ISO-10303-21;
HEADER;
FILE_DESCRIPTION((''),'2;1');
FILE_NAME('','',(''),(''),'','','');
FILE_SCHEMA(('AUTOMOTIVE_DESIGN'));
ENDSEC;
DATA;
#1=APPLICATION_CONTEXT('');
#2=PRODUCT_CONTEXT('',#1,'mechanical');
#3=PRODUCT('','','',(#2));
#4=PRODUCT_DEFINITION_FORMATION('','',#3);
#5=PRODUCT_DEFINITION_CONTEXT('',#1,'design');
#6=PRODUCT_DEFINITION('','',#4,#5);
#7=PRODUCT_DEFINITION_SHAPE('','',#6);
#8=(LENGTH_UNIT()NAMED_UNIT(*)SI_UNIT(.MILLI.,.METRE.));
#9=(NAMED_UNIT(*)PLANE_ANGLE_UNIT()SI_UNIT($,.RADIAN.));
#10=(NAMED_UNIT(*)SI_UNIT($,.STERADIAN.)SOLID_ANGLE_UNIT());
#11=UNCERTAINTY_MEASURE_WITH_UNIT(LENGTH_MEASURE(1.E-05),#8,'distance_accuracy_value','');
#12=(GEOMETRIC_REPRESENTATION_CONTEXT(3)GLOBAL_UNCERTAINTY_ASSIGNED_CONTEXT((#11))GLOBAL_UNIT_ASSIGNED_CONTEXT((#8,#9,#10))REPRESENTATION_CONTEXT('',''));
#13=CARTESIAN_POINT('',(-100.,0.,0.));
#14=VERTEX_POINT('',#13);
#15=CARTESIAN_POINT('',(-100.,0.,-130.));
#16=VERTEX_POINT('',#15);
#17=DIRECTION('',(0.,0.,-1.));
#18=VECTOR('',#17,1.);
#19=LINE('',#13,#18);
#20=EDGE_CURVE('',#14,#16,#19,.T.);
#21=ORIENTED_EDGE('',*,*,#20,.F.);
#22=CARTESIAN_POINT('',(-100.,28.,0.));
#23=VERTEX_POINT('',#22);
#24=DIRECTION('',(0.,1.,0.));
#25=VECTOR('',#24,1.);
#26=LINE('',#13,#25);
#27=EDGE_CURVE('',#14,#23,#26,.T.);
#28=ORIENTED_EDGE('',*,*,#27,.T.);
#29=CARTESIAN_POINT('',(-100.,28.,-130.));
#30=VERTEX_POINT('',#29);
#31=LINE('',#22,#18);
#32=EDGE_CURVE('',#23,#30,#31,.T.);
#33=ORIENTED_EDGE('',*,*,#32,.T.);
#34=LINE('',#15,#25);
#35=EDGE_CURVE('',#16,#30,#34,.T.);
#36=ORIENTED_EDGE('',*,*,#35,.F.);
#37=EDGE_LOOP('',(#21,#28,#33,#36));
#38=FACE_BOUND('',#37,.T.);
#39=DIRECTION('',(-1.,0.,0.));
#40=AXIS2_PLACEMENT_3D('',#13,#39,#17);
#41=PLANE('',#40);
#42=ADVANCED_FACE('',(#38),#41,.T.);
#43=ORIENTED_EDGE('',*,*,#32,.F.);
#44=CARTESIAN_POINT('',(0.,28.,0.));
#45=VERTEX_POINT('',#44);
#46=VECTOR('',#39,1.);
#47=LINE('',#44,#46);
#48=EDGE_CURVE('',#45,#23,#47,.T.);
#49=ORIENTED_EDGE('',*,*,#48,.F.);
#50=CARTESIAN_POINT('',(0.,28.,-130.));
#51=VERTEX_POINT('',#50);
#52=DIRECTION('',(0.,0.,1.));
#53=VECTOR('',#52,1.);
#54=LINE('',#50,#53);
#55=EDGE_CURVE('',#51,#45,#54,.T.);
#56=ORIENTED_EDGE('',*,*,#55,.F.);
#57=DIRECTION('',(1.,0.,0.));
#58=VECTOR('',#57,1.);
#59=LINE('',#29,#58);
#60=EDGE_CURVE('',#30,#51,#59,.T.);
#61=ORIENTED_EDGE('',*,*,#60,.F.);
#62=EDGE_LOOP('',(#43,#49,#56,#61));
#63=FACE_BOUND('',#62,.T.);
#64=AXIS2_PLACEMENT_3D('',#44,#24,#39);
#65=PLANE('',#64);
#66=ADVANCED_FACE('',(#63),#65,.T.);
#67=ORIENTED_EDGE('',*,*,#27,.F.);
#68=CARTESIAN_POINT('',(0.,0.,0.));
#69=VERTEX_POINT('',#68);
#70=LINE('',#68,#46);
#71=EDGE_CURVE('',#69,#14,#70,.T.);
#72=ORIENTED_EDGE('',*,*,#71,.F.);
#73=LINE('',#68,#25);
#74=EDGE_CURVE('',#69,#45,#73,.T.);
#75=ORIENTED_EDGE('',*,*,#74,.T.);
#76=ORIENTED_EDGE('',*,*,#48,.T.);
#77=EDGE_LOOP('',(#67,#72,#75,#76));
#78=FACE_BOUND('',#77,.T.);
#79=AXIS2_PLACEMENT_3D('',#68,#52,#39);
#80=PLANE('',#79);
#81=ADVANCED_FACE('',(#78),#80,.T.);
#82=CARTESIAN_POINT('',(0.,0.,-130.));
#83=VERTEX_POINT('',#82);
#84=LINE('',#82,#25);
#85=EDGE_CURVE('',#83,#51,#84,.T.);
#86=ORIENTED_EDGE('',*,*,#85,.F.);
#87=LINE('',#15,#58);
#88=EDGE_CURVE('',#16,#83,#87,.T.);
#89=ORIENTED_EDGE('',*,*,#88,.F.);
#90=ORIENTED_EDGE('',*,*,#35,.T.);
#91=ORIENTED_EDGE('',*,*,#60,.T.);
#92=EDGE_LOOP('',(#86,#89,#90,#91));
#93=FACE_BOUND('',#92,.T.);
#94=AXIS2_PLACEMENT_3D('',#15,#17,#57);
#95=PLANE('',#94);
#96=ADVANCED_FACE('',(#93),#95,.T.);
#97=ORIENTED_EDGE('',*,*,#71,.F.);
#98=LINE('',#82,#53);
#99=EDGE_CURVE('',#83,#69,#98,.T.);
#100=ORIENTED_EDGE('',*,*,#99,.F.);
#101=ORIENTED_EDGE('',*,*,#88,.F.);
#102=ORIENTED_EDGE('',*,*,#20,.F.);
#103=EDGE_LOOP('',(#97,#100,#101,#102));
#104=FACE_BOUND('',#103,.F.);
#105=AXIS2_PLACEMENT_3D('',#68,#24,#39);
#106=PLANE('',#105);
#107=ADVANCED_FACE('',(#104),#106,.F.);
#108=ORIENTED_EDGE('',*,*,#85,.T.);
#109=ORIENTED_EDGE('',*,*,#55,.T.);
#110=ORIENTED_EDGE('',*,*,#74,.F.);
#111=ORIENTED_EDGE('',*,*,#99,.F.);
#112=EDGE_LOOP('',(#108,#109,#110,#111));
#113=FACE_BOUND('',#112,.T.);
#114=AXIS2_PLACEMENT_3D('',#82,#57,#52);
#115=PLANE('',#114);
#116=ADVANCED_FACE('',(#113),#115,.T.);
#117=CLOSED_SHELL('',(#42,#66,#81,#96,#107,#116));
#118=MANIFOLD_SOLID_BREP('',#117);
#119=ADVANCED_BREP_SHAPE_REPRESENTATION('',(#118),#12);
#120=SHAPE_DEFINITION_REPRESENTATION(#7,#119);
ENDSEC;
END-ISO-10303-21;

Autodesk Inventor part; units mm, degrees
ref_plane "YZ Plane" through (0, 0, 0) normal (1, 0, 0) x (0, 1, 0)
ref_plane "XZ Plane" through (0, 0, 0) normal (0, 1, 0) x (-1, 0, 0)
ref_plane "XY Plane" through (0, 0, 0) normal (0, 0, 1) x (1, 0, 0)
sketch "Boceto1" plane through (0, 0, 0) normal (0, 1, 0) x (-1, 0, 0)
  line L0 (0, 0) -> (100, 0)
  line L1 (100, 0) -> (100, -130)
  line L2 (100, -130) -> (0, -130)
  line L3 (0, -130) -> (0, 0)
  dimension "d0" = 100
  dimension "d1" = 130
extrude "Extrusión1" add sketch "Boceto1" along normal blind 28
sketch "Boceto2" plane through (0, 28, 0) normal (0, 1, 0) x (1, 0, 0)
  line L0 (-70, 13.56) -> (-30, 13.56)
  line L1 (-30, 13.56) -> (-30, 14.36)
  line L2 (-30, 14.36) -> (-70, 14.36)
  line L3 (-70, 14.36) -> (-70, 13.56)
  line L4 (-100, 0) -> (0, 0) projected
  line L5 (0, 0) -> (0, 130) projected
  line L6 (-70, 16.36) -> (-30, 16.36)
  line L7 (-30, 16.36) -> (-30, 17.26)
  line L8 (-30, 17.26) -> (-70, 17.26)
  line L9 (-70, 17.26) -> (-70, 16.36)
  line L10 (-70, 19.26) -> (-30, 19.26)
  line L11 (-30, 19.26) -> (-30, 20.16)
  line L12 (-30, 20.16) -> (-70, 20.16)
  line L13 (-70, 20.16) -> (-70, 19.26)
  line L14 (-85, 85) -> (-15, 85)
  line L15 (-15, 85) -> (-15, 35)
  line L16 (-15, 35) -> (-85, 35)
  line L17 (-85, 35) -> (-85, 85)
  line L18 (-100, 130) -> (-100, 0) projected
  line L19 (0, 130) -> (-100, 130) projected
  circle A0 centre (-50, 107.5) radius 4.5
  dimension "d4" = 40
  dimension "d5" = 0.8
  dimension "d6" = 13.56
  dimension "d7" = 30
  dimension "d8" = 40
  dimension "d9" = 0.9
  dimension "d10" = 2
  dimension "d11" = 0
  dimension "d12" = 40
  dimension "d13" = 0.9
  dimension "d14" = 0
  dimension "d15" = 2
  dimension "d16" = 70
  dimension "d17" = 50
  dimension "d18" = 15
  dimension "d19" = 45
  dimension "d20" = 9
  dimension "d21" = 50
  dimension "d22" = 22.5
equation "\"Radio_pliegue\" = Grosor"
equation "\"Anchura_desahogo_plegado\" = Grosor"
equation "\"Profundidad_desahogo_plegado\" = 0.5 * Grosor"
equation "\"Tamaño_destalonado\" = 4 * Grosor"
equation "\"Remanente_mínimo\" = 2 * Grosor"
equation "\"Radiodetransición\" = Radio_pliegue"
equation "\"Tamaño_de_radio_de_Jacobi\" = Radio_pliegue"
equation "\"TamañoSeparación\" = Grosor"
equation "\"Grosor\" = 0.5"
properties part number "carcasa"
